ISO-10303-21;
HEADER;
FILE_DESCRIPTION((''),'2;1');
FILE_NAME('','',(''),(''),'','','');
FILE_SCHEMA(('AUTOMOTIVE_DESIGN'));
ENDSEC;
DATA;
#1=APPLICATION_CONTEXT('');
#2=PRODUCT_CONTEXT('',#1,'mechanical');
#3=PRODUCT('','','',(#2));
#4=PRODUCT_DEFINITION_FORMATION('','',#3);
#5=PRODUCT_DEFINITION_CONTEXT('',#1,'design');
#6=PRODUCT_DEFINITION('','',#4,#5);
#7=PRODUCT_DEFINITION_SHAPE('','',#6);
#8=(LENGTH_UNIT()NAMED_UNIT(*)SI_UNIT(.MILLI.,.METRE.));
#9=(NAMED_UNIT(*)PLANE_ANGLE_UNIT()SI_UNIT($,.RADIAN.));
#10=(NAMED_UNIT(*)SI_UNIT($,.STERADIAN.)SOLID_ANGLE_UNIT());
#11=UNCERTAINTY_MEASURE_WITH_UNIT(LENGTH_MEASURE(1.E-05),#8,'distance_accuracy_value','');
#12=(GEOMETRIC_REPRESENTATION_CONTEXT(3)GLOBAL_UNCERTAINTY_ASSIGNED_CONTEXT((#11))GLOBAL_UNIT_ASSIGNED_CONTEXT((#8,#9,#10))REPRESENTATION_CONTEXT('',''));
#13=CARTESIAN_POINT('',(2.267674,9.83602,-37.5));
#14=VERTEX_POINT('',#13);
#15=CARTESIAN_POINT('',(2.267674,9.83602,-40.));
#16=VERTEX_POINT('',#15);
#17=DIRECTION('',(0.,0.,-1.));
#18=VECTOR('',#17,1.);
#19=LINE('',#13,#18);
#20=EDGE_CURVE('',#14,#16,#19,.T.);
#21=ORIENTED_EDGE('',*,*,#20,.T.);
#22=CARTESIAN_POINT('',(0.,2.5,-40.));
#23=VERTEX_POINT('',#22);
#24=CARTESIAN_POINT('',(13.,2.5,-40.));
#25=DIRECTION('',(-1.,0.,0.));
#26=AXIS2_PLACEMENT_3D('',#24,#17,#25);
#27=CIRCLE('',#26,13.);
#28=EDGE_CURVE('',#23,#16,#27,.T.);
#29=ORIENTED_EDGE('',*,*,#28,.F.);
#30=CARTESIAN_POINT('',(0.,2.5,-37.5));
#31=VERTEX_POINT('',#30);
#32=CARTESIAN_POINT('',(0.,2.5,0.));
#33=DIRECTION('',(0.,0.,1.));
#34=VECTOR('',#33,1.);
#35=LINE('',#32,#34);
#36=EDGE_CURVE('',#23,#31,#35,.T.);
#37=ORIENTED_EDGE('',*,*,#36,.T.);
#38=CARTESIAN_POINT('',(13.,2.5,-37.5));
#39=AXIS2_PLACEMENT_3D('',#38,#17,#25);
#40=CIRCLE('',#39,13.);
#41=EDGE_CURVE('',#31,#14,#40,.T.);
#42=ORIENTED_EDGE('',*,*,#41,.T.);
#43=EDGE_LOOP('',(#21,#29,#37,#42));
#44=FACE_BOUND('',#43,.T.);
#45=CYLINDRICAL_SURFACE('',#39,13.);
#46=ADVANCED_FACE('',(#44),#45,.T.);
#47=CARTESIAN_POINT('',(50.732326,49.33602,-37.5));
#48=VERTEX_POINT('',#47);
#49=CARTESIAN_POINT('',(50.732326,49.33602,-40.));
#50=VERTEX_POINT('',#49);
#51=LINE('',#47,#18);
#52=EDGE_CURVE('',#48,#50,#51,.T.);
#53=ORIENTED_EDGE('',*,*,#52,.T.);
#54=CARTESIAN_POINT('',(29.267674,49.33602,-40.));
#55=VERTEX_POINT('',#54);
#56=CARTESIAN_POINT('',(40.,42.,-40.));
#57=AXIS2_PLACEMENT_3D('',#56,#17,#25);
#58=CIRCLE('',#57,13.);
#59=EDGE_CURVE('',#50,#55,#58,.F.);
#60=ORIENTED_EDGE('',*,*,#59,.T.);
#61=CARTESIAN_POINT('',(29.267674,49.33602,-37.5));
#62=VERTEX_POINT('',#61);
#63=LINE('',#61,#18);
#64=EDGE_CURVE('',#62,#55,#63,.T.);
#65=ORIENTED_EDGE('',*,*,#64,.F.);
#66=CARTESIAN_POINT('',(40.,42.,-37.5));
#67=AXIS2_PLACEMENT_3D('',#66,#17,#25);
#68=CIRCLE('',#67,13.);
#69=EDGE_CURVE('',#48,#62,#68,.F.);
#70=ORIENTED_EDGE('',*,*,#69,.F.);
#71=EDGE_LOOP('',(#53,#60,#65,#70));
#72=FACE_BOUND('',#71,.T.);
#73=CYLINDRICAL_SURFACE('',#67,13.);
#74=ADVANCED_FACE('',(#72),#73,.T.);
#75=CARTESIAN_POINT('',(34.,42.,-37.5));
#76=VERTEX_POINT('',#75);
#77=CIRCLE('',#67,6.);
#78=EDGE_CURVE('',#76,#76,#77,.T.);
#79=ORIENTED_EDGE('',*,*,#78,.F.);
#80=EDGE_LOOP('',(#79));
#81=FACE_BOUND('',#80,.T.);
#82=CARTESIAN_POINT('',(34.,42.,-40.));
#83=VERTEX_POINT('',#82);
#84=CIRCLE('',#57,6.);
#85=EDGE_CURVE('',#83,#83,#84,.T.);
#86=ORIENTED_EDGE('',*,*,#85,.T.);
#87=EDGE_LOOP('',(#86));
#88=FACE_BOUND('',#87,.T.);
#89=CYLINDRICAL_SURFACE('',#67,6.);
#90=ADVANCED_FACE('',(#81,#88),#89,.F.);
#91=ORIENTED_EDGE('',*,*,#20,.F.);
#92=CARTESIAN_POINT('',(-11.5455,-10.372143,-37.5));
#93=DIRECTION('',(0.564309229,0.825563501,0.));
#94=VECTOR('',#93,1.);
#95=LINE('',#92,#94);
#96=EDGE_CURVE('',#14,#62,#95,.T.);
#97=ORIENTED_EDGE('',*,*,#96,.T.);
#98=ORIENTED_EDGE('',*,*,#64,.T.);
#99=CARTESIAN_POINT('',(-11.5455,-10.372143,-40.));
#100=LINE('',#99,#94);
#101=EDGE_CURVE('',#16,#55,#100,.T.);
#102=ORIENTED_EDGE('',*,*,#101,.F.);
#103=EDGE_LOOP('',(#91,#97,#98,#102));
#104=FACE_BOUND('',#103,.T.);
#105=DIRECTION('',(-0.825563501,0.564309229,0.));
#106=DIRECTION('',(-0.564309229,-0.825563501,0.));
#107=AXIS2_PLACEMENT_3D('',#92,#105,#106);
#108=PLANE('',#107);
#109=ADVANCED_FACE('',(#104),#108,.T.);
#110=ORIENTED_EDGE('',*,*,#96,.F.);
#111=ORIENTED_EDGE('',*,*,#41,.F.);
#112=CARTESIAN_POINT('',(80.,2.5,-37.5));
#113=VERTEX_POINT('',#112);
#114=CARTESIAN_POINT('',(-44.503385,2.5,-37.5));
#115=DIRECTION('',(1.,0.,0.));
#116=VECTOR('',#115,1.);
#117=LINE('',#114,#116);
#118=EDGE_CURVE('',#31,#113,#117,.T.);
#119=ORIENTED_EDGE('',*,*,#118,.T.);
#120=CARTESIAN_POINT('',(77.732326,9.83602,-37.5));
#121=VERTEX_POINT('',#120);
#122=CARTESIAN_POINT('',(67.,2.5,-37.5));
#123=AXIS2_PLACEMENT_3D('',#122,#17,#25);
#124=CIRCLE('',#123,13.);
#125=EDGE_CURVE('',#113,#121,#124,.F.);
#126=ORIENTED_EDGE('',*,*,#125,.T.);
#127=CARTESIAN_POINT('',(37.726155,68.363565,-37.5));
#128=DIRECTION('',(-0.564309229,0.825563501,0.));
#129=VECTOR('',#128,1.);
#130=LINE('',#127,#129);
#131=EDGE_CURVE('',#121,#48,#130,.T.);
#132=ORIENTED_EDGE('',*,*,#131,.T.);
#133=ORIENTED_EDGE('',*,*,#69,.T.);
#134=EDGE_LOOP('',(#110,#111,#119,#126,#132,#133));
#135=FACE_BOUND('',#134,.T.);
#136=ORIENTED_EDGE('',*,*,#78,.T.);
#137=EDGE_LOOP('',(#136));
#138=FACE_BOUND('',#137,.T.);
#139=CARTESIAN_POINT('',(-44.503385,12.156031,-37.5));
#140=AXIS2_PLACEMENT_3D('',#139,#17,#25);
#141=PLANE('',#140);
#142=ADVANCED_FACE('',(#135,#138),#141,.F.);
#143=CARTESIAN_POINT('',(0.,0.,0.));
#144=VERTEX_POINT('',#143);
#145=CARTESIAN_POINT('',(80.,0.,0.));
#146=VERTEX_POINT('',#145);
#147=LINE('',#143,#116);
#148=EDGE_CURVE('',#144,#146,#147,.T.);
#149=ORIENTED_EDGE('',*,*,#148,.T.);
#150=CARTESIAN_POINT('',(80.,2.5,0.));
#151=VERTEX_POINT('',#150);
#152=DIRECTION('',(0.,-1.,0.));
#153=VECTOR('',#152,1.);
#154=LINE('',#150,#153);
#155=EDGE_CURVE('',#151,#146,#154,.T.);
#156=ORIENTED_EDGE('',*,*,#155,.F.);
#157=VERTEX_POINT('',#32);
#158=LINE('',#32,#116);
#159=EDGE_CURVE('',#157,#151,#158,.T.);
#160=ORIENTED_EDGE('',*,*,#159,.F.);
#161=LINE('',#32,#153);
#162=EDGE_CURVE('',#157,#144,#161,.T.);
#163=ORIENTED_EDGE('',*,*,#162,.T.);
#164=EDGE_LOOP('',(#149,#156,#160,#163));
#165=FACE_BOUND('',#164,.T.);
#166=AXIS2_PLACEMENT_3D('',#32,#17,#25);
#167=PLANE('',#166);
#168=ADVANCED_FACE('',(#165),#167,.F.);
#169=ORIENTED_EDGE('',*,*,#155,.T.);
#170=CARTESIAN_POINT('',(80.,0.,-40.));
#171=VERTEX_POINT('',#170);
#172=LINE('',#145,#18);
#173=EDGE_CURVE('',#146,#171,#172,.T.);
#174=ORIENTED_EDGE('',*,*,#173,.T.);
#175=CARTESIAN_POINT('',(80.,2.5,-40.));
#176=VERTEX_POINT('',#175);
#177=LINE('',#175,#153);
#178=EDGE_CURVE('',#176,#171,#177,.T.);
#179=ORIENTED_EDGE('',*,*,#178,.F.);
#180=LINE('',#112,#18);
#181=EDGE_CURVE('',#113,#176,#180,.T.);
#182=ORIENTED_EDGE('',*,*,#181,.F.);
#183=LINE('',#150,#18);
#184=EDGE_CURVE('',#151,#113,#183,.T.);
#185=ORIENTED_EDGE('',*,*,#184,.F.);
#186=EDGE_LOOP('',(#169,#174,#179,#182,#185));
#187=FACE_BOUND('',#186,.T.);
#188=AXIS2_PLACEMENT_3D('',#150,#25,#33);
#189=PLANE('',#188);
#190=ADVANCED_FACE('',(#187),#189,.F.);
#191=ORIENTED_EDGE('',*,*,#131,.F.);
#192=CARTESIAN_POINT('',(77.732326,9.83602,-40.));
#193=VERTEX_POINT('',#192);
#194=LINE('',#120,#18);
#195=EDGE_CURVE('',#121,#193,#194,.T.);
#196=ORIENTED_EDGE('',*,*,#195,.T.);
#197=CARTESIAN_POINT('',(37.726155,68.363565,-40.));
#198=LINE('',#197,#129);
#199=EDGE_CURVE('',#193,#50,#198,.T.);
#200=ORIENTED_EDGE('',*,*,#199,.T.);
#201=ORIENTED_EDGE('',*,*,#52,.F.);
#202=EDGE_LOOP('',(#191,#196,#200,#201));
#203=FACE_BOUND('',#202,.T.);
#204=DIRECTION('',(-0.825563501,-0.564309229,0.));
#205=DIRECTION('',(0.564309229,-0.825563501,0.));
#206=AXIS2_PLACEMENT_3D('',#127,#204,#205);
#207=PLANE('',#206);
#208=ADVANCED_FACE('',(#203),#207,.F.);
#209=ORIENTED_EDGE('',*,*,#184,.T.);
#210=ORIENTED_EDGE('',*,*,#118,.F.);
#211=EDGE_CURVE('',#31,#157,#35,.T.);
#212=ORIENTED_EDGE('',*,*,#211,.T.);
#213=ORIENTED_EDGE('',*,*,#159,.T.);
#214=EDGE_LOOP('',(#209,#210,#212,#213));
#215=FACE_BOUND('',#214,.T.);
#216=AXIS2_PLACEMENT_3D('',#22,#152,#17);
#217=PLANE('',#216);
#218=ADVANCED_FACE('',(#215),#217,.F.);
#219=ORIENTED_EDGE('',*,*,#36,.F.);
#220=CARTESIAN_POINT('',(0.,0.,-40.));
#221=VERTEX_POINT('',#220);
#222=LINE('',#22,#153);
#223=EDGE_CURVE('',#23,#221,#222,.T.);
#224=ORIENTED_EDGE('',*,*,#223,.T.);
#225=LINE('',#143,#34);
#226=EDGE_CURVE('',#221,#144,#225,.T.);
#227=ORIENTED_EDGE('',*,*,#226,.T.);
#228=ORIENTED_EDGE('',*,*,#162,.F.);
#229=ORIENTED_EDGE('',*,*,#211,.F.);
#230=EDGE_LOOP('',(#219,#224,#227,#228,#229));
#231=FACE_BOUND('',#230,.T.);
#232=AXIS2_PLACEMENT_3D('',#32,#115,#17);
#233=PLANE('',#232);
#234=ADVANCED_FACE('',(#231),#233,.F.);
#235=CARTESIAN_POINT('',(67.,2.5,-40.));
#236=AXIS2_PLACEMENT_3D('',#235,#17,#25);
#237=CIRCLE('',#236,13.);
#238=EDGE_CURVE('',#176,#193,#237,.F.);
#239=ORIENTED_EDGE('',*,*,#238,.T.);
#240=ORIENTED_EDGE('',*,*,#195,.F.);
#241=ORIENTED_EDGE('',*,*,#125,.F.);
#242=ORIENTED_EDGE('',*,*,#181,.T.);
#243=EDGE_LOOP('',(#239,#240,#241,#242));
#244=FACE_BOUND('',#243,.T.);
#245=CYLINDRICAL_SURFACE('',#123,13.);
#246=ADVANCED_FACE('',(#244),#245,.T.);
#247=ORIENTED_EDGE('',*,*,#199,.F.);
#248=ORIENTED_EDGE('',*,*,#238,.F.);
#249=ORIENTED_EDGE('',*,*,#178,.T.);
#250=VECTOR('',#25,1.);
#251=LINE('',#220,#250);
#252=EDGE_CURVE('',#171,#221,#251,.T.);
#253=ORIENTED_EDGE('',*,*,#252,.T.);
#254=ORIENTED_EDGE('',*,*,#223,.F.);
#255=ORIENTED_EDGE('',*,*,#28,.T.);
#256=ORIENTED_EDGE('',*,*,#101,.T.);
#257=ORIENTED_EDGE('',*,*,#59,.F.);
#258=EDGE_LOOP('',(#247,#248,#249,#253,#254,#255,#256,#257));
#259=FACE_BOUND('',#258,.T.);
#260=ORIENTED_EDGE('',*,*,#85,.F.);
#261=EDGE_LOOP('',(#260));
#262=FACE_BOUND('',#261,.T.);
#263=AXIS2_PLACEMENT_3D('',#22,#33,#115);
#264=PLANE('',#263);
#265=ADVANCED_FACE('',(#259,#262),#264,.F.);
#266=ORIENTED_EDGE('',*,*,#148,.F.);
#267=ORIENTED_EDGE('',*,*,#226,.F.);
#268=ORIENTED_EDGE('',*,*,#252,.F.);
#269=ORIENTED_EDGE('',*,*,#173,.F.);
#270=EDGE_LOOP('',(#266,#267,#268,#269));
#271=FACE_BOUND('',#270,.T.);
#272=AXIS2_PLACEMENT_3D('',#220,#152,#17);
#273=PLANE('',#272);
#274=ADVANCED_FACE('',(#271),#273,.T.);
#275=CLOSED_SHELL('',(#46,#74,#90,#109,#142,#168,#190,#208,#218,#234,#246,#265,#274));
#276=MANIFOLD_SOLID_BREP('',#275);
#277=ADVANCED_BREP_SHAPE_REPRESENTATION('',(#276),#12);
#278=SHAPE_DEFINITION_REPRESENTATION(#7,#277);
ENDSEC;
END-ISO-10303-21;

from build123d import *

# Parameters (mm, degrees)
SKETCH1_W           = 80
SKETCH1_H           = 40
BOSS_EXTRUDE1_DEPTH = 2.5
SKETCH3_R           = 6
BOSS_EXTRUDE2_DEPTH = 2.5


with BuildPart() as part:
    # Sketch1 → Boss-Extrude1 (new body)
    with BuildSketch(Plane(origin=(0, 0, 0), x_dir=(1, 0, 0), z_dir=(0, 1, 0))):
        with Locations((40, 20)):
            Rectangle(SKETCH1_W, SKETCH1_H)
    extrude(amount=BOSS_EXTRUDE1_DEPTH)

    # Sketch3 → Boss-Extrude2 (add)
    with BuildSketch(Plane(origin=(0, 0, -40), x_dir=(-1, 0, 0), z_dir=(0, 0, -1))):
        with BuildLine():
            ThreePointArc((0, 2.5), (-0.57985041, 6.339255677), (-2.267674485, 9.836019972))
            Line((-2.267674485, 9.836019972), (-29.267674485, 49.336019972))
            ThreePointArc((-29.267674485, 49.336019972), (-40, 55), (-50.732325515, 49.336019972))
            Line((-50.732325515, 49.336019972), (-77.732325515, 9.836019972))
            ThreePointArc((-77.732325515, 9.836019972), (-79.42014959, 6.339255677), (-80, 2.5))
            Line((-80, 2.5), (0, 2.5))
        make_face()
        with Locations((-40, 42)):
            Circle(SKETCH3_R, mode=Mode.SUBTRACT)
    extrude(amount=-BOSS_EXTRUDE2_DEPTH)


solid = part.part
